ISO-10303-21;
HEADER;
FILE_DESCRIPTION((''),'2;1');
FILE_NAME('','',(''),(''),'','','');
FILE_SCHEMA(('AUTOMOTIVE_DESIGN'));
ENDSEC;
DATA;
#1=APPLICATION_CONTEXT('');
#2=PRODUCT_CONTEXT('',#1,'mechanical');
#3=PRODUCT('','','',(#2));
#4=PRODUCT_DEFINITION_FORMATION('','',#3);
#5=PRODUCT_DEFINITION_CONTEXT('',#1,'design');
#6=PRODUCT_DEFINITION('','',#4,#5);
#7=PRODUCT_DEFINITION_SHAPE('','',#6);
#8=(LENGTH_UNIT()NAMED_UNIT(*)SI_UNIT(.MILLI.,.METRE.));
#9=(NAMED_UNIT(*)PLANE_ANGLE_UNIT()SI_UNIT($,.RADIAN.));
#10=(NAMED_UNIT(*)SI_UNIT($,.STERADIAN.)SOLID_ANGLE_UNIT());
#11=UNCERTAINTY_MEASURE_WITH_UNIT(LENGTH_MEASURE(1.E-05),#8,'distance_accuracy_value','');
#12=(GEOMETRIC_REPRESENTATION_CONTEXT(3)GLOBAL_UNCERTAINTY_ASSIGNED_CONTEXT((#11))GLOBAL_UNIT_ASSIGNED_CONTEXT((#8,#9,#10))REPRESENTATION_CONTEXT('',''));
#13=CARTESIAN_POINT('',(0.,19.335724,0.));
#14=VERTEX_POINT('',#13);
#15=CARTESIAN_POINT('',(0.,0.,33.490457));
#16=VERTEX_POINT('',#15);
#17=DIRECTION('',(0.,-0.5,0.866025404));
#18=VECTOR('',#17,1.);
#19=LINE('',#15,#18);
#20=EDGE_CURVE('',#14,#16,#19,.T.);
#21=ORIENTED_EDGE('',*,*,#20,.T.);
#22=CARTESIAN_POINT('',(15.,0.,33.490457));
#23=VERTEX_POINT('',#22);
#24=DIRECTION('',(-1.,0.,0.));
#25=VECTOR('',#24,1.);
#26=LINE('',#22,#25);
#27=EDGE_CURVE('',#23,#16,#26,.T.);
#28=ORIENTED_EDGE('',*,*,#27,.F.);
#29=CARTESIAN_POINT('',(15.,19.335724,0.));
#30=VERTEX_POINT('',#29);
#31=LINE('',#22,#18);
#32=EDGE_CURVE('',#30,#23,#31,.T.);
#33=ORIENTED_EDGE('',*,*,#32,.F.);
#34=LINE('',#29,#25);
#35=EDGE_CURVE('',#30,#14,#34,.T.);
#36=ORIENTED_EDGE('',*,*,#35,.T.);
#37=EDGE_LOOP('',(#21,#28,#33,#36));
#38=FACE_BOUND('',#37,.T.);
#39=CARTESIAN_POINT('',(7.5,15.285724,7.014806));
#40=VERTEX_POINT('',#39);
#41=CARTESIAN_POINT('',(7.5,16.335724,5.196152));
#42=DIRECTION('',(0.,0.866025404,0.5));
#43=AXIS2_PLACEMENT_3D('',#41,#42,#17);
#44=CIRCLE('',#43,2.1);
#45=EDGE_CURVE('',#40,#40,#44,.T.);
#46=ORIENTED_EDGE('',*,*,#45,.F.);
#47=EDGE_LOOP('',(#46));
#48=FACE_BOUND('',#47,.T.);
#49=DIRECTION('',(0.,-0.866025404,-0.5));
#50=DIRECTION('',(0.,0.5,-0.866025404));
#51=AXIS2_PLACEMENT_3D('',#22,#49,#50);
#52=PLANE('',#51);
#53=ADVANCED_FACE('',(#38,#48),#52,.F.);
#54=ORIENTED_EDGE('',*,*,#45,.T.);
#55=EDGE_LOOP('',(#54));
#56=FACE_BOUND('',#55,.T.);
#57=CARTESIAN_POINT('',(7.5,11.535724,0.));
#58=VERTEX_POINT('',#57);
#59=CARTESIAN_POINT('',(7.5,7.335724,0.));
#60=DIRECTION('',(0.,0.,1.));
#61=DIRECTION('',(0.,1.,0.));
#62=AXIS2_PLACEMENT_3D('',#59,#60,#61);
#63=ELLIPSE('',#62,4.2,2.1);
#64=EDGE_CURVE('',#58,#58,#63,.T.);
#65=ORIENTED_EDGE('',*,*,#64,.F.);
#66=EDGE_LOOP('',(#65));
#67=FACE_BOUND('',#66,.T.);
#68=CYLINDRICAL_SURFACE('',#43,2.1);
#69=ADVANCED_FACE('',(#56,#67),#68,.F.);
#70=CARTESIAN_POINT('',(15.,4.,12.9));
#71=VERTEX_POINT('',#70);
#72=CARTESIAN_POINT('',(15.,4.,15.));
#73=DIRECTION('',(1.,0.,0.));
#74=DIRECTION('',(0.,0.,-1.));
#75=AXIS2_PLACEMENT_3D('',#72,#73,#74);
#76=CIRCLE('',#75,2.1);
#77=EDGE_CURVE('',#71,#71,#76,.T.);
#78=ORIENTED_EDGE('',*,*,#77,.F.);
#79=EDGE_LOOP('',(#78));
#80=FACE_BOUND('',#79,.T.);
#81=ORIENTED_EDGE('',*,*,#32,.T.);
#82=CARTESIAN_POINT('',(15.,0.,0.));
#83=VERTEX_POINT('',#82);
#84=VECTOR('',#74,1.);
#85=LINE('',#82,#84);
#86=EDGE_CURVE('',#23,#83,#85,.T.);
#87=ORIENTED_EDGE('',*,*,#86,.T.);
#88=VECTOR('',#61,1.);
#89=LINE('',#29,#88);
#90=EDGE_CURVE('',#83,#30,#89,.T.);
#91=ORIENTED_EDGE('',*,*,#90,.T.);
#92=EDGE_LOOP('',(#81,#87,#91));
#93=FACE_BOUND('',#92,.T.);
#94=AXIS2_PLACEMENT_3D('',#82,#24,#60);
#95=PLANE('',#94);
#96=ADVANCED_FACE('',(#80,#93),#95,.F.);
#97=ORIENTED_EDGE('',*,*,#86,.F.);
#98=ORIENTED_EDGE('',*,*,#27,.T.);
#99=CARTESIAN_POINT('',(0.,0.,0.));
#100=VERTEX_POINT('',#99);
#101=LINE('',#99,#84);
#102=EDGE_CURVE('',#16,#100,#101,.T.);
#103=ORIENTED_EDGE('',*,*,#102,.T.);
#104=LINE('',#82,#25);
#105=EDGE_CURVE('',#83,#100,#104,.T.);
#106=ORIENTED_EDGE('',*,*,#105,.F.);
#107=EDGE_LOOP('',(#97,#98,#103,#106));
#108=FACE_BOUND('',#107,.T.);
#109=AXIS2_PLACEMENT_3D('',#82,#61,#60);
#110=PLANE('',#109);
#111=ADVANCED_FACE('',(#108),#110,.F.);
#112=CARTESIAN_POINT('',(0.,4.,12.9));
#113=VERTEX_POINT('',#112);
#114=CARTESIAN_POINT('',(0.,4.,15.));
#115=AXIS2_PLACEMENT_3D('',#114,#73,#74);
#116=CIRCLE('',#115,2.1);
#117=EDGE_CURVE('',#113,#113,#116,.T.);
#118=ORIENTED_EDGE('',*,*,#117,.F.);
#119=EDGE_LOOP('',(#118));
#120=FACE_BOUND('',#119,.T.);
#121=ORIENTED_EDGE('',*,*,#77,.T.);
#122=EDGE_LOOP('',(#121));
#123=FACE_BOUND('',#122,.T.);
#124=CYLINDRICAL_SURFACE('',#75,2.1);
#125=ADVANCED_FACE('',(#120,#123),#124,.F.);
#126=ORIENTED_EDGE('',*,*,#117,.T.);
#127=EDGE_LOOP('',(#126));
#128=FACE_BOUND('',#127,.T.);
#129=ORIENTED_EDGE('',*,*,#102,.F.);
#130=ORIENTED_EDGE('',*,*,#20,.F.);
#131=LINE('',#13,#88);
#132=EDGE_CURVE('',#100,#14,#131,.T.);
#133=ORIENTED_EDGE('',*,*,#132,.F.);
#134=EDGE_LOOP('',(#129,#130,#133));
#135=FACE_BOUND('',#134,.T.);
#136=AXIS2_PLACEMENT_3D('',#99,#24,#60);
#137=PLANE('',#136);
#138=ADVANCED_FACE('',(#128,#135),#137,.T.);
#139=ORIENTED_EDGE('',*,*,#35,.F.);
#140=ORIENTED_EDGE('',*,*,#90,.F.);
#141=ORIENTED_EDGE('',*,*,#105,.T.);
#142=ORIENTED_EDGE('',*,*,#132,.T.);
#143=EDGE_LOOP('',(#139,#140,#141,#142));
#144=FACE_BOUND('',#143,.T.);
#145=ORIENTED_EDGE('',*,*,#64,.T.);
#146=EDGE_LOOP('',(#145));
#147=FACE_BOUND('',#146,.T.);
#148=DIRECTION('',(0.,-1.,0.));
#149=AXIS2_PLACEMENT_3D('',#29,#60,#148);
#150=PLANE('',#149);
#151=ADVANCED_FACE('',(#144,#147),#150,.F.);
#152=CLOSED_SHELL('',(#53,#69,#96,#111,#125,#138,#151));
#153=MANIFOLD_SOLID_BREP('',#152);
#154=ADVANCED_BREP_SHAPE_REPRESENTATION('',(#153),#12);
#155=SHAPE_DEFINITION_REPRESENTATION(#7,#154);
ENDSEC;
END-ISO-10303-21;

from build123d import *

# Parameters (mm, degrees)
BOSS_EXTRUDE1_DEPTH   = 15
M5X0_8_TAPPED_HOLE1_D = 4.2
M5X0_8_TAPPED_HOLE2_D = 4.2


with BuildPart() as part:
    # Sketch3 → Boss-Extrude1 (new body)
    with BuildSketch(Plane(origin=(0, 0, 0), x_dir=(0, 0, -1), z_dir=(1, 0, 0))):
        Polygon((0, 0), (-33.49045709, 0), (0, 19.335724416), align=None)
    extrude(amount=BOSS_EXTRUDE1_DEPTH)

    # M5x0.8 Tapped Hole1 (through all)
    with Locations(Plane(origin=(15, 0, 0), x_dir=(0, 0, -1), z_dir=(1, 0, 0))):
        with Locations((-15, 4)):
            Hole(M5X0_8_TAPPED_HOLE1_D / 2)

    # M5x0.8 Tapped Hole2 (through all)
    with Locations(Plane(origin=(0, 14.501793312, 8.372614273), x_dir=(1, 0, 0), z_dir=(0, 0.866025404, 0.5))):
        with Locations((7.5, 3.667862208)):
            Hole(M5X0_8_TAPPED_HOLE2_D / 2)


solid = part.part
